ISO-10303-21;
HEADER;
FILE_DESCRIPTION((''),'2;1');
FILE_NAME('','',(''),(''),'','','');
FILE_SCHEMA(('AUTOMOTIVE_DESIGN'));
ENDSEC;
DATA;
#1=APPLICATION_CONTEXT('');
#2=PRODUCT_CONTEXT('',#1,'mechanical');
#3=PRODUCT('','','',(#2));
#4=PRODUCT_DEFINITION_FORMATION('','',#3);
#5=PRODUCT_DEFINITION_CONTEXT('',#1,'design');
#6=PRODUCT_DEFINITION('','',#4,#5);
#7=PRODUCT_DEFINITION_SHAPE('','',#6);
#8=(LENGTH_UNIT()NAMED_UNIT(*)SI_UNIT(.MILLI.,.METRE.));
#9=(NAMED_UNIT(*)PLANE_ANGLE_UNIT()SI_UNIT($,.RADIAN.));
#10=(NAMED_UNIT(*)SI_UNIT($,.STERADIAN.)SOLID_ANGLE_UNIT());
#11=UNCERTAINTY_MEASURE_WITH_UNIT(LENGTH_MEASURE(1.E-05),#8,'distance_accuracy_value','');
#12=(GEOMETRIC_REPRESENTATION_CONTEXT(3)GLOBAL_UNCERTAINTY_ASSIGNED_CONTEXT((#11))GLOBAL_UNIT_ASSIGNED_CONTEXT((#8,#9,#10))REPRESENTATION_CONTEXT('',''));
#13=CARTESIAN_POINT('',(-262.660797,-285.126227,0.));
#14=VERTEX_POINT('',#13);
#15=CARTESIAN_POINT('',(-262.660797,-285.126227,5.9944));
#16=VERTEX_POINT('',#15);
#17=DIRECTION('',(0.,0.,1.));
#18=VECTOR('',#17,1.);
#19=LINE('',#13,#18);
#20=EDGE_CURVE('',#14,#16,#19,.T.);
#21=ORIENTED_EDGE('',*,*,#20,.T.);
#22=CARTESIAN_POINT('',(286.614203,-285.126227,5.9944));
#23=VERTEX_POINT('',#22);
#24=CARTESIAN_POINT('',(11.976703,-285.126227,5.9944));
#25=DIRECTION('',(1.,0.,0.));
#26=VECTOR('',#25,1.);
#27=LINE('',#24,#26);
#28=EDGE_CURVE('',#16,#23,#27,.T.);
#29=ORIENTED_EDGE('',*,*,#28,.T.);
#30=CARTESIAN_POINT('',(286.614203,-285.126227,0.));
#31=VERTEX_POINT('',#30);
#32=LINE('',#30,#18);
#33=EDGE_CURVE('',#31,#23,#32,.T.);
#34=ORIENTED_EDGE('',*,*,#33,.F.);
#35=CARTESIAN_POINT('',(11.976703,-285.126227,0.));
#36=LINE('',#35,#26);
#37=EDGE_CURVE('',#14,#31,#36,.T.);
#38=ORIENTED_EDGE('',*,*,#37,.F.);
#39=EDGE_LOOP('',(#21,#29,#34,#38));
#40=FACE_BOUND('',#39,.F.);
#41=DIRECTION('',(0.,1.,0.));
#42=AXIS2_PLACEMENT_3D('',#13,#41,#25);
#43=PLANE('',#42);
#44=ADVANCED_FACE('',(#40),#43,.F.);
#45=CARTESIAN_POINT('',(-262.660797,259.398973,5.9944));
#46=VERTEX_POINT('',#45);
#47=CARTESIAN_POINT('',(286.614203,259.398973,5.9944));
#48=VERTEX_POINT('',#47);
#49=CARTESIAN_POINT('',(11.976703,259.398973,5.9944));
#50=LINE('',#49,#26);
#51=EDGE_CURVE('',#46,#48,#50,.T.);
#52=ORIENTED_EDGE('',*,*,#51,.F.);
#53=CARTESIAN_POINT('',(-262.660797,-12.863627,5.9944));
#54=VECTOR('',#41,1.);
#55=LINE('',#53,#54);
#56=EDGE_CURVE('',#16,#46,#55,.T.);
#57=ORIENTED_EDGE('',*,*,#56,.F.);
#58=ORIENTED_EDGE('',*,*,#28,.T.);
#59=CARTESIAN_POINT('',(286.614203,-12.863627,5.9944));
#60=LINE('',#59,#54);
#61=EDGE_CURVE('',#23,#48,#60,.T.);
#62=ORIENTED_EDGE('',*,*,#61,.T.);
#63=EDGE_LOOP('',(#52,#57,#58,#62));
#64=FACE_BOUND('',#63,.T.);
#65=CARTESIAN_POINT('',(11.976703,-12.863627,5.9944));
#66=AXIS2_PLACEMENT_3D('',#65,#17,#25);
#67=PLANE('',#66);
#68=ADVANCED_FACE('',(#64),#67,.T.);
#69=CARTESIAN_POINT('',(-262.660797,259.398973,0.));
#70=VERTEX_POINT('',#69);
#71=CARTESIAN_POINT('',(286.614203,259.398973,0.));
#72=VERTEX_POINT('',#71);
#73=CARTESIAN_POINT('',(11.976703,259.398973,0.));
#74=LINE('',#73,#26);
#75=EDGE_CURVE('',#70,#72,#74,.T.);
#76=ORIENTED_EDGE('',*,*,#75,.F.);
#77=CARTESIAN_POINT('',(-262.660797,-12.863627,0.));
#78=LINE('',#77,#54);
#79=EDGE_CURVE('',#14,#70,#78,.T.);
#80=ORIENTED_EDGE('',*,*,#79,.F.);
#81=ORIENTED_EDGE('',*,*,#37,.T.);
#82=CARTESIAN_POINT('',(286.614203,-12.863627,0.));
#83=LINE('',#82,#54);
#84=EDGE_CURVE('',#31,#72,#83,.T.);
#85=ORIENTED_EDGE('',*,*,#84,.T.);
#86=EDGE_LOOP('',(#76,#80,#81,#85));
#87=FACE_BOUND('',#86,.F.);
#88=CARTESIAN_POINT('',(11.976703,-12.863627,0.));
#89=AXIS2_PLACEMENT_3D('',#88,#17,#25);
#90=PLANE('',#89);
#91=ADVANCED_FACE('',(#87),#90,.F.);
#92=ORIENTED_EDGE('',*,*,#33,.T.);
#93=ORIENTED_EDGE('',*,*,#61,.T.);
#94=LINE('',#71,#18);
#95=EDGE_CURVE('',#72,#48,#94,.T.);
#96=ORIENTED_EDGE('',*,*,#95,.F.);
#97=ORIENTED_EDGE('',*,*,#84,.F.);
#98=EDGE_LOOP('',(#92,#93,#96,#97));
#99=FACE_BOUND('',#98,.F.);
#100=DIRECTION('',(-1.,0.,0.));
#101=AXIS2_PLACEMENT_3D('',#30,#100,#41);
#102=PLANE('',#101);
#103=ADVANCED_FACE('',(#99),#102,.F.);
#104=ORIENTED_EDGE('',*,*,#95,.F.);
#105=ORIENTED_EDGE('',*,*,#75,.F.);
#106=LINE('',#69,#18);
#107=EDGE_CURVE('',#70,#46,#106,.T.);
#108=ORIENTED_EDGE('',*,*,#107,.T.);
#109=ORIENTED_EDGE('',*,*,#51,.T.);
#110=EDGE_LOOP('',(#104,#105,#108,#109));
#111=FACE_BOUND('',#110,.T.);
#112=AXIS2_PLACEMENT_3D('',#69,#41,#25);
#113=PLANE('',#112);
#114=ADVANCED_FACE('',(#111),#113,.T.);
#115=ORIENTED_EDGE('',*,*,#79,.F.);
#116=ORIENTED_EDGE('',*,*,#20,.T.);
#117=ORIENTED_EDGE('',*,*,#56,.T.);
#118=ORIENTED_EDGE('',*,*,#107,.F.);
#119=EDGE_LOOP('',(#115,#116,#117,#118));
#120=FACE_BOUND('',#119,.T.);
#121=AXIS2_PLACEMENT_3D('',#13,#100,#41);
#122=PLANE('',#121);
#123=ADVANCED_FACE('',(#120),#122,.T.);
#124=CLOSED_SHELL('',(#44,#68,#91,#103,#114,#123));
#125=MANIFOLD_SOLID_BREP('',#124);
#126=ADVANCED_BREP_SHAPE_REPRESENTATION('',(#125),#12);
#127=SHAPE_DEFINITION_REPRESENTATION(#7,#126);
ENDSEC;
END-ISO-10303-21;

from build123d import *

# Parameters (mm, degrees)
SKETCH_W      = 549.275
SKETCH_H      = 544.5252
EXTRUDE_DEPTH = 5.9944


with BuildPart() as part:
    # Sketch → Extrude (new body)
    with BuildSketch(Plane.XY):
        with Locations((11.976703, -12.863627)):
            Rectangle(SKETCH_W, SKETCH_H)
    extrude(amount=EXTRUDE_DEPTH)


solid = part.part
